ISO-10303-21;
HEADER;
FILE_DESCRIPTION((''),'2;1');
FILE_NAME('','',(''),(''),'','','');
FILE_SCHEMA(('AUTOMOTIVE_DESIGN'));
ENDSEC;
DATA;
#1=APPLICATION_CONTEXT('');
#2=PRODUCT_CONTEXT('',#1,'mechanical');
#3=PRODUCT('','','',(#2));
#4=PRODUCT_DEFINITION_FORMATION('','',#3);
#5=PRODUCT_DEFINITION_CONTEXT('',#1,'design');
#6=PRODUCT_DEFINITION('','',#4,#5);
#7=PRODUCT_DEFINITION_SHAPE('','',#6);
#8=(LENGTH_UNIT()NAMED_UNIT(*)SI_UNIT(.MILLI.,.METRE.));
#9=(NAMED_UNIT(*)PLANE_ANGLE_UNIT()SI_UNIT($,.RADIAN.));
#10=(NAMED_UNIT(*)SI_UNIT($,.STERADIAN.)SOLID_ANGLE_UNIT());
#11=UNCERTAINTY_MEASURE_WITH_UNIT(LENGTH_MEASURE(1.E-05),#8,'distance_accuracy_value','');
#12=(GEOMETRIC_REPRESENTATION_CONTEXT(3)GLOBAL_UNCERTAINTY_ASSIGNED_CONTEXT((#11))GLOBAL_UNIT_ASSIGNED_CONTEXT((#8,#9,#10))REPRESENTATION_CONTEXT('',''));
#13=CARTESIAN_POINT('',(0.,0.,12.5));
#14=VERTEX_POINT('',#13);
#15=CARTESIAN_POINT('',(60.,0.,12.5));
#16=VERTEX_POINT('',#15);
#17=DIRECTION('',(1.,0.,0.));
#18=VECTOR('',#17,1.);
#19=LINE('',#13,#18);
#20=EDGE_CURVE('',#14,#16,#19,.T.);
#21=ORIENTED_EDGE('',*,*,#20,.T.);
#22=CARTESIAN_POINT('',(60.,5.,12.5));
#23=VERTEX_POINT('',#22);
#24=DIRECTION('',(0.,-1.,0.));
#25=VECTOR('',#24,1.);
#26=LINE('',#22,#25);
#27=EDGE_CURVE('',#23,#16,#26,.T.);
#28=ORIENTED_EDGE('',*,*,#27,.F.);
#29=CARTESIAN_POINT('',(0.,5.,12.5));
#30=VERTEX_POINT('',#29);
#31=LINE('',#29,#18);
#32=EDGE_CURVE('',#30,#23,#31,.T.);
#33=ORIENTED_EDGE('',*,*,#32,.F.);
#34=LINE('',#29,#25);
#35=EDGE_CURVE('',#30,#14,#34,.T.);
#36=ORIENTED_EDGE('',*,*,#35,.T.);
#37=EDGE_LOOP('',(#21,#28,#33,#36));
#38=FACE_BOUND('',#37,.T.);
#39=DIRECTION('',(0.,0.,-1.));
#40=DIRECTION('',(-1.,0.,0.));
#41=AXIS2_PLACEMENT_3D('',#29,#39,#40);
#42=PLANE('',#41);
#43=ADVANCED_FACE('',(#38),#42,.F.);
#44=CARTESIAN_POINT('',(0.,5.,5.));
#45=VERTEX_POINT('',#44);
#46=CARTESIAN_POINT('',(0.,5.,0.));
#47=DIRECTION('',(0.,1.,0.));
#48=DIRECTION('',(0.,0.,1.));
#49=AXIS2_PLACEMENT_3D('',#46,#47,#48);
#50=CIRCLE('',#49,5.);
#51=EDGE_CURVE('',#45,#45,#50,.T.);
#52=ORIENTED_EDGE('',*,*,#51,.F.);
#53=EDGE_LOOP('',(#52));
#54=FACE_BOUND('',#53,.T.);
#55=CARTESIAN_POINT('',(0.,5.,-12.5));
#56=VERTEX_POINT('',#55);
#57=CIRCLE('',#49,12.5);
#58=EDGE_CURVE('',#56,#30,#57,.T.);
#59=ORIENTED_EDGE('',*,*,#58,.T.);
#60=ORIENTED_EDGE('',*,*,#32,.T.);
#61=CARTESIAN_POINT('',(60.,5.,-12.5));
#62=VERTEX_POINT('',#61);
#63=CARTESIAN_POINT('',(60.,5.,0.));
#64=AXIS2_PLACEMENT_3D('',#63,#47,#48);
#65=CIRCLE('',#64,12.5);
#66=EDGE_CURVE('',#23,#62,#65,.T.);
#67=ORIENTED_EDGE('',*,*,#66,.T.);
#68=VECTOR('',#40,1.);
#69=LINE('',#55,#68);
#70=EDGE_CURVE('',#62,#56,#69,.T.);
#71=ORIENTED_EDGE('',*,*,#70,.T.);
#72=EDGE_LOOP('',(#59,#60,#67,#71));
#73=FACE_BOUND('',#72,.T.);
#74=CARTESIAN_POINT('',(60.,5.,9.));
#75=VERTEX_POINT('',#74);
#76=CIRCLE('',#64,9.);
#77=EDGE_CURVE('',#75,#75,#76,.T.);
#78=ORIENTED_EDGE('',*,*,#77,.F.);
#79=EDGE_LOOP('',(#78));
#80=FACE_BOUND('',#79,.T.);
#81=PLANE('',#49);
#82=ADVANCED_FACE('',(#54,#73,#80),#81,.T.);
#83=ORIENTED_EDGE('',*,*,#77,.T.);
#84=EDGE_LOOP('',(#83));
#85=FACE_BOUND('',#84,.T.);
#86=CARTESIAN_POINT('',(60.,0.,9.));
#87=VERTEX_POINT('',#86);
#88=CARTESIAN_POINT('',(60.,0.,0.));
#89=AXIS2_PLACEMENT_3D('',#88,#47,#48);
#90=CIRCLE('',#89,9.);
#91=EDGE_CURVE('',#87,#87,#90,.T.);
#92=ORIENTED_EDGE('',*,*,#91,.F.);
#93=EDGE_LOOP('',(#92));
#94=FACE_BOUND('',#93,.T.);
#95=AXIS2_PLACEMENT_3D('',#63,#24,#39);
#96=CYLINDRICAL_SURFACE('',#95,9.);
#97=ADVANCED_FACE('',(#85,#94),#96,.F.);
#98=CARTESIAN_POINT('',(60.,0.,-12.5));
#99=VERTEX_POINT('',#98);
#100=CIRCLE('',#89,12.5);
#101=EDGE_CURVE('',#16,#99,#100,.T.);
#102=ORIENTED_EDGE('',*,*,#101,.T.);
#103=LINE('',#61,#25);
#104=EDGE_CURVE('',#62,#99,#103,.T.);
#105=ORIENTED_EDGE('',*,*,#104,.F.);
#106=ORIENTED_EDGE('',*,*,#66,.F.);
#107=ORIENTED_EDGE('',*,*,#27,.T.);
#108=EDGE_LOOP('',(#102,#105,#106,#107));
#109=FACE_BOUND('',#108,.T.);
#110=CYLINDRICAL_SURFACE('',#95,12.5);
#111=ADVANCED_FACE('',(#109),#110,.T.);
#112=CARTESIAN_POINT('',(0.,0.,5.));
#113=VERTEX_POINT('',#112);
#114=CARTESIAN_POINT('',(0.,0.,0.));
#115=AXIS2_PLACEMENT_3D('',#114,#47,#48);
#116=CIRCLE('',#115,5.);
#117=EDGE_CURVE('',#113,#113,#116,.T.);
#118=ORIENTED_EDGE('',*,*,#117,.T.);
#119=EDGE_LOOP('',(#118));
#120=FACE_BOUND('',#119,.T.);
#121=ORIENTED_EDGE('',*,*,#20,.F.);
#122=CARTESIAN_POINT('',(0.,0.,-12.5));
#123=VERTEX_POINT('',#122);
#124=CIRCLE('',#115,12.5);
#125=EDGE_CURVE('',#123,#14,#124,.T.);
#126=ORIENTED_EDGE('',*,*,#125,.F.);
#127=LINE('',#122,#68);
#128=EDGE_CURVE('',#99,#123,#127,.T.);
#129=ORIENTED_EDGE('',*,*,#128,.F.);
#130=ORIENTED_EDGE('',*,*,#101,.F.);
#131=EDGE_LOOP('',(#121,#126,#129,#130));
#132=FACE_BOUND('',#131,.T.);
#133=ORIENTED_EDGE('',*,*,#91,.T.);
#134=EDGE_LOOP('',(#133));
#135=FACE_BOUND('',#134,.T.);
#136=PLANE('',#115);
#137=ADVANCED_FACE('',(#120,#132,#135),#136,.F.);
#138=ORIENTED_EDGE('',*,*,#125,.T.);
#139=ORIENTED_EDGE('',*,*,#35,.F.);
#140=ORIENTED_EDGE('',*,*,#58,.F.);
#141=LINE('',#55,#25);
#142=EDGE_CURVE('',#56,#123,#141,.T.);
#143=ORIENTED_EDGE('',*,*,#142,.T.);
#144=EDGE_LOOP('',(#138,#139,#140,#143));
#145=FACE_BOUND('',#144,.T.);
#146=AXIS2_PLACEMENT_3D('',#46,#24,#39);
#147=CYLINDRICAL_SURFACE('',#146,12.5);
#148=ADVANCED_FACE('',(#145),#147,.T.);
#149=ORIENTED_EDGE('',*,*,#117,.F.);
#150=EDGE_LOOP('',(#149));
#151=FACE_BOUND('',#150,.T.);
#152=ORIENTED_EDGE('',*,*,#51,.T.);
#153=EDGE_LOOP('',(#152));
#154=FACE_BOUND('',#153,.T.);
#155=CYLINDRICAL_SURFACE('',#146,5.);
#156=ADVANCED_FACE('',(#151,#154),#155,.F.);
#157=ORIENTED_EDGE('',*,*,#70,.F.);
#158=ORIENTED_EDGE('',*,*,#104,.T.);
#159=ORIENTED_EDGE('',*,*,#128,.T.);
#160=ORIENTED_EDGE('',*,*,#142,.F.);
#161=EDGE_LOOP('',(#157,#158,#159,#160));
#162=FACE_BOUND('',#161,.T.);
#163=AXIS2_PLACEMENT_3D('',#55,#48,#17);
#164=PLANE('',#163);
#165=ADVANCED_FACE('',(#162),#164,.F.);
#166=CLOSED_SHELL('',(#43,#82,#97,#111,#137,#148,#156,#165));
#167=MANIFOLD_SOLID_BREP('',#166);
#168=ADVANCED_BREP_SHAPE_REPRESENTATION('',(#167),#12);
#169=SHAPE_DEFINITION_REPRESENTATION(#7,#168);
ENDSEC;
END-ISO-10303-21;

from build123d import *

# Parameters (mm, degrees)
SKETCH1_R           = 5
SKETCH1_R_2         = 9
BOSS_EXTRUDE1_DEPTH = 5


with BuildPart() as part:
    # Sketch1 → Boss-Extrude1 (new body)
    with BuildSketch(Plane(origin=(0, 0, 0), x_dir=(1, 0, 0), z_dir=(0, 1, 0))):
        with BuildLine():
            Line((0, 12.5), (60, 12.5))
            ThreePointArc((60, 12.5), (72.5, 0), (60, -12.5))
            Line((60, -12.5), (0, -12.5))
            ThreePointArc((0, -12.5), (-12.5, 0), (0, 12.5))
        make_face()
        with Locations(Location((0, 0, 0), (0, 0, 270))):
            Circle(SKETCH1_R, mode=Mode.SUBTRACT)
        with Locations(Location((60, 0, 0), (0, 0, 270))):
            Circle(SKETCH1_R_2, mode=Mode.SUBTRACT)
    extrude(amount=BOSS_EXTRUDE1_DEPTH)


solid = part.part
